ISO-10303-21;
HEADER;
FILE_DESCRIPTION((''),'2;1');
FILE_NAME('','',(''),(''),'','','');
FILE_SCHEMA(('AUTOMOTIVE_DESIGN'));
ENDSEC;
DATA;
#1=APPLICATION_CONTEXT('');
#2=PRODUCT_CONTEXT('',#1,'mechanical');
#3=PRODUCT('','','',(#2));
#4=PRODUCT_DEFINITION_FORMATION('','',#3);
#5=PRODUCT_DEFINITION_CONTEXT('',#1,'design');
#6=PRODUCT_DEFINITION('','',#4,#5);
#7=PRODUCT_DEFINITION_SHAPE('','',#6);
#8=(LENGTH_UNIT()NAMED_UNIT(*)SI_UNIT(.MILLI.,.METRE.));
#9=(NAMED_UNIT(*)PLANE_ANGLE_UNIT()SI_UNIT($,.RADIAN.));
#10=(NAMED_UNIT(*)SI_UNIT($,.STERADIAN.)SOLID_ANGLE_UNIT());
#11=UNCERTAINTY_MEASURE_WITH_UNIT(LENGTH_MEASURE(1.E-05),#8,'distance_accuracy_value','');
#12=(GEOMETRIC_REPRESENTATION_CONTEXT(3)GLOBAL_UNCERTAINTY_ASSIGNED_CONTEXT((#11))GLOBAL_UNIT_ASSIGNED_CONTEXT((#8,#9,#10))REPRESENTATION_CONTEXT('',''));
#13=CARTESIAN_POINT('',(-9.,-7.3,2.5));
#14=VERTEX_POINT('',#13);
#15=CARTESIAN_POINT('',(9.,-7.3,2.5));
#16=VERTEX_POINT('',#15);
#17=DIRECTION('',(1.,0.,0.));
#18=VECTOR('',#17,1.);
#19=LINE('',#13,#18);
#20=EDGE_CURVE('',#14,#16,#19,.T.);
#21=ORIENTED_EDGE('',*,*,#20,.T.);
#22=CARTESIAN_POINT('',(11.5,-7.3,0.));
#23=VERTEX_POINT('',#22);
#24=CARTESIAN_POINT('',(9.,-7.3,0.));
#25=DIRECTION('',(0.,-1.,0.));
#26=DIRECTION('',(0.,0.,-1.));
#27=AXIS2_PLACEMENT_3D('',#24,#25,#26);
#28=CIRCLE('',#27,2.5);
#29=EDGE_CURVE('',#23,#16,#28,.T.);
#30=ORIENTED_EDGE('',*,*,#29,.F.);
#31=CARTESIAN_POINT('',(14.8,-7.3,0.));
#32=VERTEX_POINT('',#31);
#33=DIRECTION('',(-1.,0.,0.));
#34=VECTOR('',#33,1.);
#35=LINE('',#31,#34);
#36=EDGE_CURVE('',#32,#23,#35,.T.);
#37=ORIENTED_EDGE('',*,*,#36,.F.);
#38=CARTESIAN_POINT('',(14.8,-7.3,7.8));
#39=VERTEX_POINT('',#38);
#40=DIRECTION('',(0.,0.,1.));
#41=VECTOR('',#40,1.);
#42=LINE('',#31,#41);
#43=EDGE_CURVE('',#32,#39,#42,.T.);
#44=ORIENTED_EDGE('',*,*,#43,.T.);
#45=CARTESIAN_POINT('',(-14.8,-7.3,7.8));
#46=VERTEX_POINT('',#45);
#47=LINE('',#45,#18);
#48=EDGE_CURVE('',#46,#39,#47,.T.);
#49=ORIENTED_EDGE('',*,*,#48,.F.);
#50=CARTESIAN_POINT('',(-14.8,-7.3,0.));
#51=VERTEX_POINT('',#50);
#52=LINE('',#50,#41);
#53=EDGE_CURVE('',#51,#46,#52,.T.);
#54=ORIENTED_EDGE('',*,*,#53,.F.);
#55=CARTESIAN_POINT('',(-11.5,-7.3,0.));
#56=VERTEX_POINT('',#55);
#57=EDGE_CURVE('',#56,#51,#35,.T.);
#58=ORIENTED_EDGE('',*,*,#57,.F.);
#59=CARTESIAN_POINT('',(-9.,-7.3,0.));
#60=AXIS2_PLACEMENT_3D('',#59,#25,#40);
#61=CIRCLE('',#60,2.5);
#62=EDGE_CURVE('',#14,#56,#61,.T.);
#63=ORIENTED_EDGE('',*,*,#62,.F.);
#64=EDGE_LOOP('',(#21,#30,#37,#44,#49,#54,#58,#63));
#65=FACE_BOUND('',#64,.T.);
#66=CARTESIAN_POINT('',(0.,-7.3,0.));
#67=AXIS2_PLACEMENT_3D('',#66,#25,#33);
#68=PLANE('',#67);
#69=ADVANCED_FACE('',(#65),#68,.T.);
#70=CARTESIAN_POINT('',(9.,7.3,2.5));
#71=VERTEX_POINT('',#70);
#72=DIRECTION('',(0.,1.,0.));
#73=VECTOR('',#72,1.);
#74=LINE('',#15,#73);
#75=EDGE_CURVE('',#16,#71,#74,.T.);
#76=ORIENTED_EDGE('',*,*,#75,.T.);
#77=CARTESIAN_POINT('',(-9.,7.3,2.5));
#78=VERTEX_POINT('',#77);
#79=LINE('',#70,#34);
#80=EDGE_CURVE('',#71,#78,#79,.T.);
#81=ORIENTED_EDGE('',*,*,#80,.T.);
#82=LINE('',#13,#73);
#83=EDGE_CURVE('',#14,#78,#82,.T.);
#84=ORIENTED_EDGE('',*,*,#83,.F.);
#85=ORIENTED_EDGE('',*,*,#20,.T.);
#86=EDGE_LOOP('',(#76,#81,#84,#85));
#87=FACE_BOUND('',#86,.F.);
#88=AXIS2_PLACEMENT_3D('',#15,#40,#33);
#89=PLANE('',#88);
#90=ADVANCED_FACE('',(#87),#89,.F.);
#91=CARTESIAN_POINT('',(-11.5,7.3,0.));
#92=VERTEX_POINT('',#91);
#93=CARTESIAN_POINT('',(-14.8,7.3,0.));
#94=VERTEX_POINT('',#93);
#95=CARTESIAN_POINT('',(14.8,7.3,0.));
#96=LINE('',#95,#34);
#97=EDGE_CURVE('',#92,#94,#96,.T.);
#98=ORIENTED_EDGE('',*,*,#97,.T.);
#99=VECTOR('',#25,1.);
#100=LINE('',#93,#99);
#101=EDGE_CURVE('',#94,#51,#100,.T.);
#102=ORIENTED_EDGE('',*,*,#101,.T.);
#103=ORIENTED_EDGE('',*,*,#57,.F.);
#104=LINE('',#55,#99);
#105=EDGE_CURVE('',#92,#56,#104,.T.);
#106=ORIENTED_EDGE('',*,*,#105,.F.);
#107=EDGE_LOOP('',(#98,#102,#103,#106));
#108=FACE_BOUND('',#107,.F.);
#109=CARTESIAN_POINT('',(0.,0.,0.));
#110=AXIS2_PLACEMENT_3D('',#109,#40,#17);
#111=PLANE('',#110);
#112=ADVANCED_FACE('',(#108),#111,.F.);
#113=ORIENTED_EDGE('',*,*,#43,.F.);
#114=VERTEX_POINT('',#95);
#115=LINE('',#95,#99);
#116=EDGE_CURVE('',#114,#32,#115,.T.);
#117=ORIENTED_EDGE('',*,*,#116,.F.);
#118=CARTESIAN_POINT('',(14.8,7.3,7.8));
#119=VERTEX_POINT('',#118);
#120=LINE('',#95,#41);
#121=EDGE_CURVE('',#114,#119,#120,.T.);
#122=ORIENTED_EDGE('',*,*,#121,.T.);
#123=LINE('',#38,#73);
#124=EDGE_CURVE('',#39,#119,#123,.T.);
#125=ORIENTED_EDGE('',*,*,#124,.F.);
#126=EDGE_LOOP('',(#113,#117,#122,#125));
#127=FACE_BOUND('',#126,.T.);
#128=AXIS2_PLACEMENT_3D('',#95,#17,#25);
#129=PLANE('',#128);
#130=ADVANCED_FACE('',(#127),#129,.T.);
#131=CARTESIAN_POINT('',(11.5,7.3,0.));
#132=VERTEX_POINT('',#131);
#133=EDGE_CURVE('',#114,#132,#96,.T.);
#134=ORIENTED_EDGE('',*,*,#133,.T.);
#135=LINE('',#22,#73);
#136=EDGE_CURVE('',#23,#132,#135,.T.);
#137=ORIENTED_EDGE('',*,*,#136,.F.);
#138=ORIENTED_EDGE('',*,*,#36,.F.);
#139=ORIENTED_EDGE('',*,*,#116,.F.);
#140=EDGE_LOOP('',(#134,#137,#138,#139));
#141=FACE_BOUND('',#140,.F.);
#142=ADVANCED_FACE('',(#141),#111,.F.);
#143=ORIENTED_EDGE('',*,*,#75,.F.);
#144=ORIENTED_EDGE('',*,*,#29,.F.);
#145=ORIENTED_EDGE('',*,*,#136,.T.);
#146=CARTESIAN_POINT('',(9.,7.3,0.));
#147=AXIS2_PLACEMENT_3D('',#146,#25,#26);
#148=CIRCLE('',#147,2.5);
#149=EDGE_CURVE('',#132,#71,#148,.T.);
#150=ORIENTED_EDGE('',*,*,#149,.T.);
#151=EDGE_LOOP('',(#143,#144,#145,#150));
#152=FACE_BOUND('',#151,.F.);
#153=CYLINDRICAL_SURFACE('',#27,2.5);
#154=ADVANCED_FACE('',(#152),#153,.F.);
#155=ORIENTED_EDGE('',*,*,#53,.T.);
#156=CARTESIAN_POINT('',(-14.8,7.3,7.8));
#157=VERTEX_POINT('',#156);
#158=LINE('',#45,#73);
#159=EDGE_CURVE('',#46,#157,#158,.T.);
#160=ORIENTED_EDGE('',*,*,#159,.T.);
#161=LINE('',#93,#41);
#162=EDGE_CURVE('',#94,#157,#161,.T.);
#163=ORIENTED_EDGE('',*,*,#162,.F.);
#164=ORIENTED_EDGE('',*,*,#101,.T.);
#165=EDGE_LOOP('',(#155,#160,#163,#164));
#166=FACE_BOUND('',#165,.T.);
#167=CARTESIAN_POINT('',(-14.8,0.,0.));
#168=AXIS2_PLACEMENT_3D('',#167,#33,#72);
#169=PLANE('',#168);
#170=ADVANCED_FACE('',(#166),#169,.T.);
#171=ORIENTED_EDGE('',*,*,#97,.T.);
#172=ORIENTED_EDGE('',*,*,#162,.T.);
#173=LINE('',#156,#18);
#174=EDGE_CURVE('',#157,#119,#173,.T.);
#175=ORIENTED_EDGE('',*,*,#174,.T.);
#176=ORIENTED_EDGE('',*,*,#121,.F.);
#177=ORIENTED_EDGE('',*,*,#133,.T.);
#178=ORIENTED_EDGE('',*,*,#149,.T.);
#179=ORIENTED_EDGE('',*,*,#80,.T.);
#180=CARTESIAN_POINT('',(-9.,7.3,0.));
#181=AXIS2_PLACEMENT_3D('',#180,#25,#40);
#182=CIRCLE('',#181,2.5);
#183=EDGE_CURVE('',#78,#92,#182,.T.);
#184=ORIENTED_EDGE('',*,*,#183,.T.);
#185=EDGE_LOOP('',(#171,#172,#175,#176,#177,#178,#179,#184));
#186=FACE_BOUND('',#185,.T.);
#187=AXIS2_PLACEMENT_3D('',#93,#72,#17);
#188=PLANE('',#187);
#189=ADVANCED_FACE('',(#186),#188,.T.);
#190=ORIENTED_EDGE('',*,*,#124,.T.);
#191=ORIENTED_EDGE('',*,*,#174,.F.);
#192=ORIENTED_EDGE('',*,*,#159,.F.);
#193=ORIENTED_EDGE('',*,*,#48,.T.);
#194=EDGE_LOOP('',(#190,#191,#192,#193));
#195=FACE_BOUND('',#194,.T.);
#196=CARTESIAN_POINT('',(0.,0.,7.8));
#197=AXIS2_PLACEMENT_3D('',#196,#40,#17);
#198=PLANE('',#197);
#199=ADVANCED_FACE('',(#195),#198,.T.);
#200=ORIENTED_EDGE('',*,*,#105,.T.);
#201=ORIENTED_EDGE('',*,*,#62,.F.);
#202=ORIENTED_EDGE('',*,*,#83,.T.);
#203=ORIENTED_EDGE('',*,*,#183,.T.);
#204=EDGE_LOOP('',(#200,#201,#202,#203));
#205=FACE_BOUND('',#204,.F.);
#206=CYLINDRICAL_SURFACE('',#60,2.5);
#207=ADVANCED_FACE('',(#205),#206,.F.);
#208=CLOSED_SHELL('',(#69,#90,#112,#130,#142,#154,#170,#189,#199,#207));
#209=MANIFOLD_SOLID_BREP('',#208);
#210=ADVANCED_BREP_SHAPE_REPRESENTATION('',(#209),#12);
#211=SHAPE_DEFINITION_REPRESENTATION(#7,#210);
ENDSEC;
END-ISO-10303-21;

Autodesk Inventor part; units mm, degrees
ref_plane "YZ Plane" through (0, 0, 0) normal (1, 0, 0) x (0, 1, 0)
ref_plane "XZ Plane" through (0, 0, 0) normal (0, 1, 0) x (-1, 0, 0)
ref_plane "XY Plane" through (0, 0, 0) normal (0, 0, 1) x (1, 0, 0)
sketch "Náčrt1" plane through (0, 0, 0) normal (0, 0, 1) x (1, 0, 0)
  line L0 (-20.72, 0) -> (20.72, 0) projected
  line L1 (0, -10.22) -> (0, 10.22) projected
  line L2 (-14.8, 7.3) -> (14.8, 7.3)
  line L3 (14.8, 7.3) -> (14.8, -7.3)
  line L4 (14.8, -7.3) -> (-14.8, -7.3)
  line L5 (-14.8, -7.3) -> (-14.8, 7.3)
  point P0 (0, 0)
  point P1 (0, 7.3)
  point P2 (14.8, 0)
  dimension "d0" = 29.6
  dimension "d1" = 14.6
extrude "Vysunutí1" add sketch "Náčrt1" along normal blind 7.8
sketch "Náčrt2" plane through (-14.8, -7.3, 0) normal (0, -1, 0) x (1, 0, 0)
  line L0 (0, 0) -> (29.6, 0) projected
  line L1 (29.6, 0) -> (29.6, 7.8) projected
  line L2 (0, 7.8) -> (29.6, 7.8) projected
  line L3 (0, 0) -> (0, 7.8) projected
  point P0 (14.8, 0)
  point P1 (14.8, 0)
hole "Díra1" at (0, -7.3, 0) direction (0, 1, 0) diameter 5 end through all
sketch "Náčrt3" plane through (-14.8, -7.3, 7.8) normal (0, -1, 0) x (1, 0, 0)
  line L0 (5.8, -7.8) -> (23.8, -7.8) construction
  line L1 (17.3, -7.8) -> (29.6, -7.8) projected
  line L2 (5.8, -10.3) -> (23.8, -10.3)
  line L3 (23.8, -5.3) -> (5.8, -5.3)
  arc A0 (5.8, -5.3) -> (5.8, -10.3) centre (5.8, -7.8) ccw
  arc A1 (23.8, -10.3) -> (23.8, -5.3) centre (23.8, -7.8) ccw
  point P0 (14.8, -7.8)
  dimension "d14" = 9
  dimension "d15" = 2.5
extrude "Vysunutí2" cut sketch "Náčrt3" against normal through all
properties part number "drzak_kable_guma"
